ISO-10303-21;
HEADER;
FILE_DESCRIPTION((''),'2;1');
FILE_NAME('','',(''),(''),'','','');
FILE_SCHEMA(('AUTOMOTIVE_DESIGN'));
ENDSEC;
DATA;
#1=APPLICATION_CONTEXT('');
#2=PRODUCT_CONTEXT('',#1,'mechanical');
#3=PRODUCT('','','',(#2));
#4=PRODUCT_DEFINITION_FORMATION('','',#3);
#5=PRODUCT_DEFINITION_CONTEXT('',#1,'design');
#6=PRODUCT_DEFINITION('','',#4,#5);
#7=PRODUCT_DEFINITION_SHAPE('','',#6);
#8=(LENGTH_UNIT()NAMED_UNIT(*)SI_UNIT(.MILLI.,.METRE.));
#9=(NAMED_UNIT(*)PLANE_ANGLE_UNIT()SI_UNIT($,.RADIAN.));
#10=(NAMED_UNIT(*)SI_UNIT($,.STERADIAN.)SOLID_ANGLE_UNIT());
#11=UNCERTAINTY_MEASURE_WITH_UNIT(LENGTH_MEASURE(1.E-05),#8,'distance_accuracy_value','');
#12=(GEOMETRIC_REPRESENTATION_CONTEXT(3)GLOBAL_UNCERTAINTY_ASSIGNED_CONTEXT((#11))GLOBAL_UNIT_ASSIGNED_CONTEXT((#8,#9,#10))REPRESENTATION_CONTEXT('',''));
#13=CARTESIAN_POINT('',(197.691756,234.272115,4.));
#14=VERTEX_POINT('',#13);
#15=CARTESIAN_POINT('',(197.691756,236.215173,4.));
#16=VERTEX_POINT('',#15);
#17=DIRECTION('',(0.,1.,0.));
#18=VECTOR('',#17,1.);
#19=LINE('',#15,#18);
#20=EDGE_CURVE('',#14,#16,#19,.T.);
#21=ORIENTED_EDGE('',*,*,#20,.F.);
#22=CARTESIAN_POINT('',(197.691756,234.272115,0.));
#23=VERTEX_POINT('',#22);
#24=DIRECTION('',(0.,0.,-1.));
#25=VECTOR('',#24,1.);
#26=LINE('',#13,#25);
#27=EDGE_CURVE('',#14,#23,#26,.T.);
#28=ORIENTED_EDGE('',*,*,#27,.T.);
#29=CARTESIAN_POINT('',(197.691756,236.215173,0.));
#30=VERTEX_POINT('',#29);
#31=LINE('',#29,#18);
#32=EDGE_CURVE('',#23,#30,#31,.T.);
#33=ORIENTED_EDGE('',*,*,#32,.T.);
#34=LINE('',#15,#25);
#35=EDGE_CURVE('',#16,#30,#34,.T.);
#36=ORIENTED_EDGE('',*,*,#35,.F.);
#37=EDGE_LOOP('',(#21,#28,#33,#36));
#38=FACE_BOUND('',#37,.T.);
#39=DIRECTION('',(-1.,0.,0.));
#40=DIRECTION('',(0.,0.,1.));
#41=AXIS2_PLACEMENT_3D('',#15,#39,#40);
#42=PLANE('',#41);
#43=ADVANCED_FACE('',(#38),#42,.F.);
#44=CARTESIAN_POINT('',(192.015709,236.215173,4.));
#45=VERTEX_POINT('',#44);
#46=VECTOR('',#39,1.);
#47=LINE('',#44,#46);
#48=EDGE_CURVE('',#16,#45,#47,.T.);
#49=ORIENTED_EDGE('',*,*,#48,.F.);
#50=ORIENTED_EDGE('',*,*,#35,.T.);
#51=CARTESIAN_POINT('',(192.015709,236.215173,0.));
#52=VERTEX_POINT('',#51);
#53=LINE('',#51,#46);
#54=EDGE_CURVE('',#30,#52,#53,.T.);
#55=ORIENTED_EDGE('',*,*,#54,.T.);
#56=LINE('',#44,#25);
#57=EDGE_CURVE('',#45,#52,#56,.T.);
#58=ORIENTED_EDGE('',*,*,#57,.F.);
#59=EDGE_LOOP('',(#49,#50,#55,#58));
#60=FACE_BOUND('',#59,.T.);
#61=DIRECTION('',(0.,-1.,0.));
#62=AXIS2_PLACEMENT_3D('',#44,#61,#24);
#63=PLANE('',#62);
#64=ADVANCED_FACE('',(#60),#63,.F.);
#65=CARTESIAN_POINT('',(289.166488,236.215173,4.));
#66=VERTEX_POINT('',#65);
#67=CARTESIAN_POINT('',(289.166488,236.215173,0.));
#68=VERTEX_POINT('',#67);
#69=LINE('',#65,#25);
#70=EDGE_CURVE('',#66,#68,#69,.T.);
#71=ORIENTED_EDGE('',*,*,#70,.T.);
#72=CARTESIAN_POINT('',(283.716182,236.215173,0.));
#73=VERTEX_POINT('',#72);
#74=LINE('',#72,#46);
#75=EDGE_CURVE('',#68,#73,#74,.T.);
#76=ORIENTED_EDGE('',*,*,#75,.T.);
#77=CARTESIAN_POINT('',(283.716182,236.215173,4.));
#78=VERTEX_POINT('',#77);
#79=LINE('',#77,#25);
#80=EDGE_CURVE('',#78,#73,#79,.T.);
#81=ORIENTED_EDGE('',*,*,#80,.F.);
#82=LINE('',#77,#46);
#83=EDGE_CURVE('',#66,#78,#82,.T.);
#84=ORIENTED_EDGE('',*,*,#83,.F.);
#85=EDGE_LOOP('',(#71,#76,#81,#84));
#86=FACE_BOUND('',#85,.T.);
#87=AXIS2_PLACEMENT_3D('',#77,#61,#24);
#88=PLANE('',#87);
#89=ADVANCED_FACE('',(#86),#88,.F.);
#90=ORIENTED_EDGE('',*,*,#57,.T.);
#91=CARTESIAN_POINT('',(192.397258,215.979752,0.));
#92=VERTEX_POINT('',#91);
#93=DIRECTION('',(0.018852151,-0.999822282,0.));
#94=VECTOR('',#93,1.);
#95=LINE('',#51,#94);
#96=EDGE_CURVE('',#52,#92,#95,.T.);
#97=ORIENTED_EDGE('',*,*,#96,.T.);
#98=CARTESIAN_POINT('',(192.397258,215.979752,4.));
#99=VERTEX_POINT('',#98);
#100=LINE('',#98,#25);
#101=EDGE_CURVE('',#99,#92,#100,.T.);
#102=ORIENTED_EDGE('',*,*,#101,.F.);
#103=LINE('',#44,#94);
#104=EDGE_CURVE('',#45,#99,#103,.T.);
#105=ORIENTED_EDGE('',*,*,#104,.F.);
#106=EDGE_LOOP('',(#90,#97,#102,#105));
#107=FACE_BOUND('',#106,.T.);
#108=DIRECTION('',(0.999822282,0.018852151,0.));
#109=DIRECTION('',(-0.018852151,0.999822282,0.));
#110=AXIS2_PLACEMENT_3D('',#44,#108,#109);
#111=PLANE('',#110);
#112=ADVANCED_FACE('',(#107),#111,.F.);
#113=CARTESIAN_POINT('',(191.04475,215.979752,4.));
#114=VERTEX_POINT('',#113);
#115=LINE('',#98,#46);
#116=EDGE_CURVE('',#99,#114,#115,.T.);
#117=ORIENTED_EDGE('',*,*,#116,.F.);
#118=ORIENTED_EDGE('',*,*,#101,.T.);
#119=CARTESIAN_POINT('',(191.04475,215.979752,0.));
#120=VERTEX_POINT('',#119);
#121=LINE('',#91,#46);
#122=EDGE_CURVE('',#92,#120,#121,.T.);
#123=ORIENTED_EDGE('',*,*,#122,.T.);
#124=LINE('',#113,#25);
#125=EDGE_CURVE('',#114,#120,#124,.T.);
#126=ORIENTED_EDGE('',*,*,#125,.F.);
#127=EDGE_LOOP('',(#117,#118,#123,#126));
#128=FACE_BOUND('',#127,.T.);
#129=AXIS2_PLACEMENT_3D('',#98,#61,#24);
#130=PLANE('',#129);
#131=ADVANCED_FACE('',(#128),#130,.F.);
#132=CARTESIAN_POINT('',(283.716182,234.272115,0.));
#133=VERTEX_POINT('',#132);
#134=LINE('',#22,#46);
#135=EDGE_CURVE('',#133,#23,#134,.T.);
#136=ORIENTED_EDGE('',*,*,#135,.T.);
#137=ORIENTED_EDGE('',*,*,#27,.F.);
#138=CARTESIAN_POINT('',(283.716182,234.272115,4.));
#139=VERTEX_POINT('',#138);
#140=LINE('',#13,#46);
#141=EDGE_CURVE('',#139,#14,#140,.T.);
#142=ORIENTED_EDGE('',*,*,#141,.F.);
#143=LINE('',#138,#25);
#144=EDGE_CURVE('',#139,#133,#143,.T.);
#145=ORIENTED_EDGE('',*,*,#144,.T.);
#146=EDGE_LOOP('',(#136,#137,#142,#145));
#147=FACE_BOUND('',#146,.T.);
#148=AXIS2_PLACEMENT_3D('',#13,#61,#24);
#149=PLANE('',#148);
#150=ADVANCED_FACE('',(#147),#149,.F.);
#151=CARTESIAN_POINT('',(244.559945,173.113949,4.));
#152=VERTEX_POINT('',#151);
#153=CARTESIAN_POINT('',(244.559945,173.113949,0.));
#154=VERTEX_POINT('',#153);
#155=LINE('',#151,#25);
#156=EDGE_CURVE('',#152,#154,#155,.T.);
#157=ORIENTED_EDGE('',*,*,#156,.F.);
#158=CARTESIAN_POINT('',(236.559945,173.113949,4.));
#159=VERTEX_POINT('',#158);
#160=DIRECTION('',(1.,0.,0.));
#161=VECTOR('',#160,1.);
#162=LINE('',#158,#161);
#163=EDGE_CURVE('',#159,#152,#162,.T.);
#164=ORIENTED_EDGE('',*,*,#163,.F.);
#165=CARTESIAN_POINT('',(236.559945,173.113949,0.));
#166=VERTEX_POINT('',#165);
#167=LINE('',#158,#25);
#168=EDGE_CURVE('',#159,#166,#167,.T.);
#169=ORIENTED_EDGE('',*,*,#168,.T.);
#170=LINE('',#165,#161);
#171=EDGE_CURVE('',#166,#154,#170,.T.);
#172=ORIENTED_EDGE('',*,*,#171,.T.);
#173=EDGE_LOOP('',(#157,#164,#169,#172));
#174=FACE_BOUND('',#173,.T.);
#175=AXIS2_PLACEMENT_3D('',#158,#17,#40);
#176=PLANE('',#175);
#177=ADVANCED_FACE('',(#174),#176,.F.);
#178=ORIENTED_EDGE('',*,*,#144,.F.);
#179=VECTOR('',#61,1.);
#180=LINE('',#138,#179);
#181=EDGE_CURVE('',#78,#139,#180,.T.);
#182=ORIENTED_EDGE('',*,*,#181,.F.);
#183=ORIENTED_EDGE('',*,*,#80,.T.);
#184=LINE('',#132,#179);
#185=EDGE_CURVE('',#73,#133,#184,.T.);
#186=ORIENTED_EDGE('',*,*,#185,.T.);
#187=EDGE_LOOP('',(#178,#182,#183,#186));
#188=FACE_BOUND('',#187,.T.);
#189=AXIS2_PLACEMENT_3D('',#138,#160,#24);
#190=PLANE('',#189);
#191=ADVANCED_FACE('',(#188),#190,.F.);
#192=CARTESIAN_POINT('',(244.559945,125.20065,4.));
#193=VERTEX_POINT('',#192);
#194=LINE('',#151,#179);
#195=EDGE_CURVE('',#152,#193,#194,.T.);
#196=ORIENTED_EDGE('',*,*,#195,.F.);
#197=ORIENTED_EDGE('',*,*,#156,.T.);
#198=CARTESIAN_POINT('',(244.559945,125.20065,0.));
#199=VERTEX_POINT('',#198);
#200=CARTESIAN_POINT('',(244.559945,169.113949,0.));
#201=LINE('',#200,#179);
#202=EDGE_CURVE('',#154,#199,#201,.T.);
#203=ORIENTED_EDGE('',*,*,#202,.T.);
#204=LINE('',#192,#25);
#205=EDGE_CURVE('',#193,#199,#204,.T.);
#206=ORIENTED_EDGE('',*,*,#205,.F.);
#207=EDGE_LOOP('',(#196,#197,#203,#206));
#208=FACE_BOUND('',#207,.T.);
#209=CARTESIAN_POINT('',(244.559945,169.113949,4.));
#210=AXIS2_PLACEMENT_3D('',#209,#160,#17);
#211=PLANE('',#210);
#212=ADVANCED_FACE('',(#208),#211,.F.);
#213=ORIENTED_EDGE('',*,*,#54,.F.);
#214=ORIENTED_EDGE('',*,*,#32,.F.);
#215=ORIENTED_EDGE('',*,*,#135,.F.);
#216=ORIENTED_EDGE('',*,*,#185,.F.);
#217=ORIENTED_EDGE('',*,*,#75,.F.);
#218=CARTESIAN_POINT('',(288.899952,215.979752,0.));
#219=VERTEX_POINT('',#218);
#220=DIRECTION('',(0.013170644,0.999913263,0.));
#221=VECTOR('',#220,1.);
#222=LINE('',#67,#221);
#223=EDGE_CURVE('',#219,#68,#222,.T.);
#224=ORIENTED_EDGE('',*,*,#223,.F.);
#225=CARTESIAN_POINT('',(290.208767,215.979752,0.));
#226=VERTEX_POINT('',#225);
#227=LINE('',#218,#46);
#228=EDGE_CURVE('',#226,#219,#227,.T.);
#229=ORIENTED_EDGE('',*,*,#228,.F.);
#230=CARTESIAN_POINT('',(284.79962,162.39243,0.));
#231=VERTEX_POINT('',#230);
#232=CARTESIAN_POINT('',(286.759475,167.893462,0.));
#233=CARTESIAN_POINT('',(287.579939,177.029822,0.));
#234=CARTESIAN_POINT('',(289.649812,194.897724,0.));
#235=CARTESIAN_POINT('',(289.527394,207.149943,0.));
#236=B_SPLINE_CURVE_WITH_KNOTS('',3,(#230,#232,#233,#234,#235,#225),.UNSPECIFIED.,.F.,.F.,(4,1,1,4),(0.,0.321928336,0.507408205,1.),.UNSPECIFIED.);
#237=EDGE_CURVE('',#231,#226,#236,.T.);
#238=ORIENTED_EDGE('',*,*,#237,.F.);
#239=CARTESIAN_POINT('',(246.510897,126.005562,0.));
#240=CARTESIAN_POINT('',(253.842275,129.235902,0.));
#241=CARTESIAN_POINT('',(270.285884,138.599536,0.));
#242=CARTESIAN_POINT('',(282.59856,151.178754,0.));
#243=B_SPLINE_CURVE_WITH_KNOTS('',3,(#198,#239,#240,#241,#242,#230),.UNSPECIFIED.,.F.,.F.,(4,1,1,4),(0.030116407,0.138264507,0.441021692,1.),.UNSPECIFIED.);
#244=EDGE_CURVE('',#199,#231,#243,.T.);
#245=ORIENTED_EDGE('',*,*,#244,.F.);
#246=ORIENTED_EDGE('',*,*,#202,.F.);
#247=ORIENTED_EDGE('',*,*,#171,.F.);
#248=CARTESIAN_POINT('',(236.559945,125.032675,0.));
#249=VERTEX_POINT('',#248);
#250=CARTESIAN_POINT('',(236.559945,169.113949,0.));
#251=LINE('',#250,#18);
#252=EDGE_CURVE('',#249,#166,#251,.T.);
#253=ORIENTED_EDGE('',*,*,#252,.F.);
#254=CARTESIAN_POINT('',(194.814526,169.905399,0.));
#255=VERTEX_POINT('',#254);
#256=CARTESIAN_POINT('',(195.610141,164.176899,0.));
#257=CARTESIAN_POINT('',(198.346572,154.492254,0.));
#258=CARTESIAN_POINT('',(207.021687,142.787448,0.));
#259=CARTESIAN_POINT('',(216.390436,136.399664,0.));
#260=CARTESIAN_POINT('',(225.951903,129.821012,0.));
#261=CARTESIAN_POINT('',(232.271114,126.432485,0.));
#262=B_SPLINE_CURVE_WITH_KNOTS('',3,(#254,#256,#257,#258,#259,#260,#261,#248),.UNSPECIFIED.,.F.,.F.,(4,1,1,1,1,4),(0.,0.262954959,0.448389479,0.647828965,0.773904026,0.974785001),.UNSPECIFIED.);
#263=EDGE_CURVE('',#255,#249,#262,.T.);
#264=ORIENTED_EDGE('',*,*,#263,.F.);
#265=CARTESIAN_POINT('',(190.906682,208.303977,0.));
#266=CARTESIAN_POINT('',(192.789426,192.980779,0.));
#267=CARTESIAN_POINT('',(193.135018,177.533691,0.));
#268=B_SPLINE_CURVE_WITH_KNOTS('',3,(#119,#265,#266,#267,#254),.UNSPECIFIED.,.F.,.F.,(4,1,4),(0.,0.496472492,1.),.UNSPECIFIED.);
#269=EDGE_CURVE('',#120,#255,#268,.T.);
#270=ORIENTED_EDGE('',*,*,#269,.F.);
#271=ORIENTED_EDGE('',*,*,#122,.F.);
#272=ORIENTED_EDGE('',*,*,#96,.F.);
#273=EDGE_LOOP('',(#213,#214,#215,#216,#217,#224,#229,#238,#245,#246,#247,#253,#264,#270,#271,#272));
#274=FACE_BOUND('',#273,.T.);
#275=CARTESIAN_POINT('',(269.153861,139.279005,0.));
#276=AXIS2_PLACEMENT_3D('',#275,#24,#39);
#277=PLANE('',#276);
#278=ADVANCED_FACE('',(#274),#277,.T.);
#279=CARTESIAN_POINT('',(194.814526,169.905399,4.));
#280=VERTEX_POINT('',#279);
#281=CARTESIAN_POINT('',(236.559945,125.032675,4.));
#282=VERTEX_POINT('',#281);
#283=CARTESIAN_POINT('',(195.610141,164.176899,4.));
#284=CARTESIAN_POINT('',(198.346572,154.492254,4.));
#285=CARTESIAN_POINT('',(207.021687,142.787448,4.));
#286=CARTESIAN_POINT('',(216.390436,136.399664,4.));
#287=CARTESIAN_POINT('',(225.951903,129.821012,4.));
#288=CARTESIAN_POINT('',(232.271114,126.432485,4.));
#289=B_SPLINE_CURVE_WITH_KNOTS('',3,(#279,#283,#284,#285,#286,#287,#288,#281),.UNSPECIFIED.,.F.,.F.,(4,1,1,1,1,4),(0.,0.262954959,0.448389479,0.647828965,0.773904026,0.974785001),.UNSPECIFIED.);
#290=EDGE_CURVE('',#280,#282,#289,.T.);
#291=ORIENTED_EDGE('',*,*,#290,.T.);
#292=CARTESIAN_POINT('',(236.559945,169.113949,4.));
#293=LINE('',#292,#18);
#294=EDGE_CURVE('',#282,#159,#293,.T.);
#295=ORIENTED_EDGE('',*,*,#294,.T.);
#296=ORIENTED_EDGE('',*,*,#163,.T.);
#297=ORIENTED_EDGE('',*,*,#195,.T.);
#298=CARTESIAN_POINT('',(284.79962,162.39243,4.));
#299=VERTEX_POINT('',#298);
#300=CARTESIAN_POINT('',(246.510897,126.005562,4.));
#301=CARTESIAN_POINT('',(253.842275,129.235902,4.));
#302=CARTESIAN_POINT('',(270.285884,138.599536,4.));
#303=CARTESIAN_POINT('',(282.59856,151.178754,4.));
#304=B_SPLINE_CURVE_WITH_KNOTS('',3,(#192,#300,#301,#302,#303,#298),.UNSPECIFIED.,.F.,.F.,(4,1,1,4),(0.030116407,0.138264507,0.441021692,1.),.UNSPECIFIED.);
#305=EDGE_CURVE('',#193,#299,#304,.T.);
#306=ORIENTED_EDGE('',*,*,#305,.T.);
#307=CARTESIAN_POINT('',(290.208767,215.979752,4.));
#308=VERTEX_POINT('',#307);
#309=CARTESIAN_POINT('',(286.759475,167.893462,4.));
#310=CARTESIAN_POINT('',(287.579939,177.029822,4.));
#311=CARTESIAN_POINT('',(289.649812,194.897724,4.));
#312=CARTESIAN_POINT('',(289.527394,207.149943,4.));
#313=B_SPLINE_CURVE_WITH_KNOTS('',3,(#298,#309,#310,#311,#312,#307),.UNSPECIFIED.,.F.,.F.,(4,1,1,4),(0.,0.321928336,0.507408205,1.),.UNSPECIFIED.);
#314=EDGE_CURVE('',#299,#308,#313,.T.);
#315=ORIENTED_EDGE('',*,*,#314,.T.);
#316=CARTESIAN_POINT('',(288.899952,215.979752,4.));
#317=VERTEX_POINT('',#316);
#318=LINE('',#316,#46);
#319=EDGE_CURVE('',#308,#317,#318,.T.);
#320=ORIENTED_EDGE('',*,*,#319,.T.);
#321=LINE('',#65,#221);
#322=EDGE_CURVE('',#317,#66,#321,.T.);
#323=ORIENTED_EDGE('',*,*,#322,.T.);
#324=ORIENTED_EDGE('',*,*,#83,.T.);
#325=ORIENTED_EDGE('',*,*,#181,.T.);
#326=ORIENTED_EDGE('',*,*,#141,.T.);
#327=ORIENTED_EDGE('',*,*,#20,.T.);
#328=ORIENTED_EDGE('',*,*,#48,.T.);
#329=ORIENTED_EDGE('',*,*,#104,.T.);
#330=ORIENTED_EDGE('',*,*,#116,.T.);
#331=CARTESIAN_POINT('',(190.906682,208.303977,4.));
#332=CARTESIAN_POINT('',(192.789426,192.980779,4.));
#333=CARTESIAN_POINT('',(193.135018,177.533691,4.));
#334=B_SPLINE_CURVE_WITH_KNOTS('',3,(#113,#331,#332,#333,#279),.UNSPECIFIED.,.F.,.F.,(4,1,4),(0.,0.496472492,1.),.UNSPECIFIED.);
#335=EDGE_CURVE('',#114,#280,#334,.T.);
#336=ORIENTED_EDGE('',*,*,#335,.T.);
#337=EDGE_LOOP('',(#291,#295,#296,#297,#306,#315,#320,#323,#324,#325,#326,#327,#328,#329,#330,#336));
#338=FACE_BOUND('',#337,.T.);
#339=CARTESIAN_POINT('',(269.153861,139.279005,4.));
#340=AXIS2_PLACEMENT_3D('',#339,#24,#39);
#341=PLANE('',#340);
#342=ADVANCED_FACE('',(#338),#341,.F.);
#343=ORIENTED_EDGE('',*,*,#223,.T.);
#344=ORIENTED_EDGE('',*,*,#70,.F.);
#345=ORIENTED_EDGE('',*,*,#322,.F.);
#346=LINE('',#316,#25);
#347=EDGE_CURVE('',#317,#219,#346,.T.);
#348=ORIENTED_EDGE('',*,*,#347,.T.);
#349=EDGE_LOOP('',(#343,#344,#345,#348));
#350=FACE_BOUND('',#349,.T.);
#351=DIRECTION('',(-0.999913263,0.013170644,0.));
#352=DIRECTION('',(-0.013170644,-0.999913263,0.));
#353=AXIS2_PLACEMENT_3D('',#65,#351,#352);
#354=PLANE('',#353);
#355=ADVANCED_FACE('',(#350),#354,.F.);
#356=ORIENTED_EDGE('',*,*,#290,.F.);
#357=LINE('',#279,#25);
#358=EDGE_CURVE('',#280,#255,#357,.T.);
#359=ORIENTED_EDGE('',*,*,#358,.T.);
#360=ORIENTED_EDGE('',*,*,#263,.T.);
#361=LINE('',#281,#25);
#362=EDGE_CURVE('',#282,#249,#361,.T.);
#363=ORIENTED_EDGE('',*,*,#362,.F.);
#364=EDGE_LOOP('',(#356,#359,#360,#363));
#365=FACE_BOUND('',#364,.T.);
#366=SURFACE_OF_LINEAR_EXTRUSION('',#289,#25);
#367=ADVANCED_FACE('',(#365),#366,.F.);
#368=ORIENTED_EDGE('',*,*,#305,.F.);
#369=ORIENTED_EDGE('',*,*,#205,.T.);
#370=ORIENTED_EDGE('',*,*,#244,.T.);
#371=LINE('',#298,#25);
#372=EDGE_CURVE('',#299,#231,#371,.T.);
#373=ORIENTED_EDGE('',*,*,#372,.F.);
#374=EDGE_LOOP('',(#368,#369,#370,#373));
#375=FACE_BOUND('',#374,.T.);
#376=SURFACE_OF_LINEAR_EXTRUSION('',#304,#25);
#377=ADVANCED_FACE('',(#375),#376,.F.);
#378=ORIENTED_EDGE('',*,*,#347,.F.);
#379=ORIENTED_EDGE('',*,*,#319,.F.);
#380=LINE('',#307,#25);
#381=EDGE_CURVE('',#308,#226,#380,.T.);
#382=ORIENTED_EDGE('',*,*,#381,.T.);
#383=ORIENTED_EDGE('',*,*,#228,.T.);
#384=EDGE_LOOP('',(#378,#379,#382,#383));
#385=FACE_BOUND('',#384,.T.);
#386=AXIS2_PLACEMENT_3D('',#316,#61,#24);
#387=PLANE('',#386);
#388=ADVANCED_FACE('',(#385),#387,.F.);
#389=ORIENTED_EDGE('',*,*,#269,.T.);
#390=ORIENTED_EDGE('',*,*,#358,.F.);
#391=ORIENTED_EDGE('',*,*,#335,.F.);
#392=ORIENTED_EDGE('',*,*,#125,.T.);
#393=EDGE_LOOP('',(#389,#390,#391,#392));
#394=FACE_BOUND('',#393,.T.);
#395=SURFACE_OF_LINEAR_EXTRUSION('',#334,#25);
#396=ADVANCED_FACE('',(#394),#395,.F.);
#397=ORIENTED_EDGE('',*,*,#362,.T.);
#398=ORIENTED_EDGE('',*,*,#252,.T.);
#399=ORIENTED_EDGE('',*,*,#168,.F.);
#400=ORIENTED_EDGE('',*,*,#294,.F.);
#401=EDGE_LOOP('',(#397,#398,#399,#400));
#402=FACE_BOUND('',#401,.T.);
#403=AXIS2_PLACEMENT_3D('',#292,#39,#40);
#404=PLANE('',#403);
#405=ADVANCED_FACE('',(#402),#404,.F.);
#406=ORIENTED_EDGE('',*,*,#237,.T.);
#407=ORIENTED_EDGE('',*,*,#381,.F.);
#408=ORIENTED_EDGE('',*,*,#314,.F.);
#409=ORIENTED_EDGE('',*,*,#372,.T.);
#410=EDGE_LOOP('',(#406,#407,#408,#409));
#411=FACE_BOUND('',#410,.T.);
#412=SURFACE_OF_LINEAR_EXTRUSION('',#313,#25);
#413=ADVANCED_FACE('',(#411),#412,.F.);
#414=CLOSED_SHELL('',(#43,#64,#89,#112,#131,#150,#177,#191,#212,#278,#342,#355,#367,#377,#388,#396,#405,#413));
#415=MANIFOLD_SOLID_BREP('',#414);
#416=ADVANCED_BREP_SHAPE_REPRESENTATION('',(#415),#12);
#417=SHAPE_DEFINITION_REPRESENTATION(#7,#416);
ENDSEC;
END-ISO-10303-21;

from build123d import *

# Parameters (mm, degrees)
EXTRUDE_1_DEPTH = 4


with BuildPart() as part:
    # 草图1 → 凸台-拉伸1 (new body)
    with BuildSketch(Plane.XY):
        with BuildLine():
            Line((192.01570903, 236.215172683), (197.691755822, 236.215172683))
            Line((197.691755822, 236.215172683), (197.691755822, 234.272114968))
            Line((197.691755822, 234.272114968), (283.716181534, 234.272114968))
            Line((283.716181534, 234.272114968), (283.716181534, 236.215172683))
            Line((283.716181534, 236.215172683), (289.16648845, 236.215172683))
            Line((289.16648845, 236.215172683), (288.899951815, 215.97975226))
            Line((288.899951815, 215.97975226), (290.208767161, 215.97975226))
            add(Edge.make_bspline(
                [(284.799620172, 162.392429744), (286.759474849, 167.893462355), (287.57993928, 177.029821997), (289.649811574, 194.897723767), (289.52739364, 207.149942748), (290.208767161, 215.97975226)],
                knots=[0, 0, 0, 0, 0.321928336, 0.507408205, 1, 1, 1, 1], degree=3))
            add(Edge.make_bspline(
                [(244.559945218, 125.200650029), (246.510897062, 126.005562495), (253.842274844, 129.235901905), (270.285883988, 138.599536344), (282.598559802, 151.178754354), (284.799620172, 162.392429744)],
                knots=[0.030116407, 0.030116407, 0.030116407, 0.030116407, 0.138264507, 0.441021692, 1, 1, 1, 1], degree=3))
            Line((244.559945218, 125.200650029), (244.559945218, 169.113949314))
            Line((244.559945218, 169.113949314), (244.559945218, 173.113949314))
            Line((244.559945218, 173.113949314), (236.559945217, 173.113949314))
            Line((236.559945217, 173.113949314), (236.559945217, 169.113949314))
            Line((236.559945217, 169.113949314), (236.559945217, 125.032675044))
            add(Edge.make_bspline(
                [(194.814526021, 169.905399038), (195.610141371, 164.176898927), (198.346571661, 154.492253984), (207.021687023, 142.787448402), (216.390436057, 136.399663861), (225.951903337, 129.821011624), (232.271114311, 126.432484596), (236.559945217, 125.032675044)],
                knots=[0, 0, 0, 0, 0.262954959, 0.448389479, 0.647828965, 0.773904026, 0.974785001, 0.974785001, 0.974785001, 0.974785001], degree=3))
            add(Edge.make_bspline(
                [(191.044749595, 215.97975226), (190.906681757, 208.303976986), (192.789425639, 192.9807794), (193.135017556, 177.533691326), (194.814526021, 169.905399038)],
                knots=[0, 0, 0, 0, 0.496472492, 1, 1, 1, 1], degree=3))
            Line((191.044749595, 215.97975226), (192.397258047, 215.97975226))
            Line((192.397258047, 215.97975226), (192.01570903, 236.215172683))
        make_face()
    extrude(amount=EXTRUDE_1_DEPTH)


solid = part.part
